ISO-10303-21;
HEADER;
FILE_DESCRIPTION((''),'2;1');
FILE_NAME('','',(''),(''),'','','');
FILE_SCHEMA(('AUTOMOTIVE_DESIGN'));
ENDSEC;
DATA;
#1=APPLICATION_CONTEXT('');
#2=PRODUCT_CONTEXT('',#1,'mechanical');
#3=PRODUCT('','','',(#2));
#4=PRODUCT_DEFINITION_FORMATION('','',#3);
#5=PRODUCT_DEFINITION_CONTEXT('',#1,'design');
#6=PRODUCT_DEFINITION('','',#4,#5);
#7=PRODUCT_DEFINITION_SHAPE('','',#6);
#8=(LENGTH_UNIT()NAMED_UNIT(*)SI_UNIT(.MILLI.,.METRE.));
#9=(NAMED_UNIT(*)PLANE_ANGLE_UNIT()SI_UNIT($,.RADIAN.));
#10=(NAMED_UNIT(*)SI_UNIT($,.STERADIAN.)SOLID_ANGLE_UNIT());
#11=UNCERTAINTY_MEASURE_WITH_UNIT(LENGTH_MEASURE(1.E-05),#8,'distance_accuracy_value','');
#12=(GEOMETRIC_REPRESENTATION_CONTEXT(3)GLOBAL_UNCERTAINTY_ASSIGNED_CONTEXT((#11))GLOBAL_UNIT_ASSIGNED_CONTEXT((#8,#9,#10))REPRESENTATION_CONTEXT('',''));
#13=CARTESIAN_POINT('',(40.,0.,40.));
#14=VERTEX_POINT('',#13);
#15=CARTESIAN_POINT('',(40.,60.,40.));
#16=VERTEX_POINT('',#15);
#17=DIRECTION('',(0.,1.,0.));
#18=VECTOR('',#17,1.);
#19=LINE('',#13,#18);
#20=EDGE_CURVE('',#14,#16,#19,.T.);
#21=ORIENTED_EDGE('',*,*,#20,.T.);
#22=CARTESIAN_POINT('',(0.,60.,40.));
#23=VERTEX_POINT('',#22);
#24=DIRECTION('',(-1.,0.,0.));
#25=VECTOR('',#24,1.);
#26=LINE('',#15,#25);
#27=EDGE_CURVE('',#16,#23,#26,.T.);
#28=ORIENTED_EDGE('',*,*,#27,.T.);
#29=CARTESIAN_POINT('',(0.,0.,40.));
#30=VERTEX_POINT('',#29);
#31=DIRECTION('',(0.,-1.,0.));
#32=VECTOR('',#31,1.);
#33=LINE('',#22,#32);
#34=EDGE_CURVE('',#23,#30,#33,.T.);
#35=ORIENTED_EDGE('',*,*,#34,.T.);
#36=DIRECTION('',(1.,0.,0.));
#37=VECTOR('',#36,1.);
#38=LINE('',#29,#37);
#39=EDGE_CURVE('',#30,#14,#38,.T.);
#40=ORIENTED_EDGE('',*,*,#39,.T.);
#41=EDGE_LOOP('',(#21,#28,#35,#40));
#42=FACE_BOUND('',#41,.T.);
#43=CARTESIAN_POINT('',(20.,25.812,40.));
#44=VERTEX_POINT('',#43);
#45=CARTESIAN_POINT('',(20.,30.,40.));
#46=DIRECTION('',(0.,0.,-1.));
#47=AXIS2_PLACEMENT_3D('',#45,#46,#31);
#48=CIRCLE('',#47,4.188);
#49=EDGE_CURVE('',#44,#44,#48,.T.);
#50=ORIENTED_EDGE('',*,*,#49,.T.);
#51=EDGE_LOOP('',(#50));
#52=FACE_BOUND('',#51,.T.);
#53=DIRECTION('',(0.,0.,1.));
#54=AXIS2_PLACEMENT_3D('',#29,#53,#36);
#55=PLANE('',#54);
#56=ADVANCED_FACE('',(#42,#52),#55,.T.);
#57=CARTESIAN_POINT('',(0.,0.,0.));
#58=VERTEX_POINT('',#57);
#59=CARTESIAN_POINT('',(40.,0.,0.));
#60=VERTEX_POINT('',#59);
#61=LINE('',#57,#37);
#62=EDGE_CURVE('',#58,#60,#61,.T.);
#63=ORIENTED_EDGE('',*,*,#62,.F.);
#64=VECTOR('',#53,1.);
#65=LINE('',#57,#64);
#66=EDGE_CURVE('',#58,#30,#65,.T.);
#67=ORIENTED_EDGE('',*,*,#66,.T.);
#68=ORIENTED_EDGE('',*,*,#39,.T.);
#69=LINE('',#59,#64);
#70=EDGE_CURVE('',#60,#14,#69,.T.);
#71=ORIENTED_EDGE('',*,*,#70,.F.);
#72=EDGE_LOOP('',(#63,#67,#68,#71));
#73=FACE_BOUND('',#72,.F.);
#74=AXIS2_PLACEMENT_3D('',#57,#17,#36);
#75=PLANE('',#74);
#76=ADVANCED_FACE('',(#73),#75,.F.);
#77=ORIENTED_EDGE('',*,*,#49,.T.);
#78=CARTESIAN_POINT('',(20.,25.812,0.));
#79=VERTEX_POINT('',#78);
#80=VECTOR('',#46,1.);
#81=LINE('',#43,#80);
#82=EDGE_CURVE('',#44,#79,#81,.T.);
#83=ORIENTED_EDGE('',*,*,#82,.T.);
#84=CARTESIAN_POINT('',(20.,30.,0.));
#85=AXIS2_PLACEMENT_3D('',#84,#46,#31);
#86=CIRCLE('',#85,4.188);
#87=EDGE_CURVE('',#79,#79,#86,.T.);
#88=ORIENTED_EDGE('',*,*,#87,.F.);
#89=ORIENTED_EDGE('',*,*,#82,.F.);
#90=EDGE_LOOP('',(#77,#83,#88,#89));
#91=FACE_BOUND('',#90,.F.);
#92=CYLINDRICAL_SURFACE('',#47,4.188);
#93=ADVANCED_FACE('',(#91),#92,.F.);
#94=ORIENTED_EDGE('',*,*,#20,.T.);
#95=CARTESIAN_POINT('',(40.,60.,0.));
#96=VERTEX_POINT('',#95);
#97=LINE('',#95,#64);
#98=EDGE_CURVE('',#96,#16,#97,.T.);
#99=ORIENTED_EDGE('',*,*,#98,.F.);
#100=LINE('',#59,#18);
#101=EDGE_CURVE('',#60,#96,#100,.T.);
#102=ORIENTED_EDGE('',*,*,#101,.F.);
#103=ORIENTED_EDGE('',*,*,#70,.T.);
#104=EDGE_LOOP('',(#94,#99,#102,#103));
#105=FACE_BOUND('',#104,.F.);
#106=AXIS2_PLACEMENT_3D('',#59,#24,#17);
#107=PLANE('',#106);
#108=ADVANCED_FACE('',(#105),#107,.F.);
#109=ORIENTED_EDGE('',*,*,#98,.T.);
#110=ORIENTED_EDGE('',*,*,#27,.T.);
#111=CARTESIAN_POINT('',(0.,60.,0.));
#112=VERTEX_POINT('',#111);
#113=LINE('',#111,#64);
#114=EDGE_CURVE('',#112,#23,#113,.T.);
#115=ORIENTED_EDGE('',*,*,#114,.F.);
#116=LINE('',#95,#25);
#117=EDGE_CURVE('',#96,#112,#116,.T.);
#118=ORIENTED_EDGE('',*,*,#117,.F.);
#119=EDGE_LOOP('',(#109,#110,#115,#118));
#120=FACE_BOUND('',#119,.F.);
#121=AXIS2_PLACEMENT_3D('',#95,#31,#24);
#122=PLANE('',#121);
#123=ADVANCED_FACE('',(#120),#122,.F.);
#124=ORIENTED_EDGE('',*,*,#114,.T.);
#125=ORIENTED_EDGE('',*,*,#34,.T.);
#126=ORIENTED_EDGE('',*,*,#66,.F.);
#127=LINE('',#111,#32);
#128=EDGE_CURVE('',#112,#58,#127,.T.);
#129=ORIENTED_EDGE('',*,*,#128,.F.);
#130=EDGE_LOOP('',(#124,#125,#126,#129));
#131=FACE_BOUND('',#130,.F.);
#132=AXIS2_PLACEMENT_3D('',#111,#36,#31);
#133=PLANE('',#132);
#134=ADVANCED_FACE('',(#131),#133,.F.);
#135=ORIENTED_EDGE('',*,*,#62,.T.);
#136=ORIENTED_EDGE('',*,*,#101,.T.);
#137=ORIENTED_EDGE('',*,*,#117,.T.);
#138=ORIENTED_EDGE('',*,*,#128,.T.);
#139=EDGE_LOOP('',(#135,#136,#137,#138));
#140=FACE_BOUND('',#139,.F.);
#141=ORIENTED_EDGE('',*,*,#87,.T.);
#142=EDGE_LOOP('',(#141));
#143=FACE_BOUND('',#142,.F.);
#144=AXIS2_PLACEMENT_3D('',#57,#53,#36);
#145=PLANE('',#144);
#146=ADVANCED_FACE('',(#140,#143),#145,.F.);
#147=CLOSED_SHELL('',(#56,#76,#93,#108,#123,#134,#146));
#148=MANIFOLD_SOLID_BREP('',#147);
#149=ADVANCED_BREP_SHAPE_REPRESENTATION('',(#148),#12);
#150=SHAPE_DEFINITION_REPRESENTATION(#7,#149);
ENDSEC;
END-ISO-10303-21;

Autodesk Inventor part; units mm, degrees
ref_plane "YZ Plane" through (0, 0, 0) normal (1, 0, 0) x (0, 1, 0)
ref_plane "XZ Plane" through (0, 0, 0) normal (0, 1, 0) x (-1, 0, 0)
ref_plane "XY Plane" through (0, 0, 0) normal (0, 0, 1) x (1, 0, 0)
sketch "Sketch1" plane through (0, 0, 0) normal (0, 0, 1) x (1, 0, 0)
  line L0 (0, 0) -> (40, 0)
  line L1 (40, 0) -> (40, 60)
  line L2 (40, 60) -> (0, 60)
  line L3 (0, 60) -> (0, 0)
  dimension "d0" = 40
  dimension "d1" = 60
extrude "Extrusion1" add sketch "Sketch1" along normal blind 40
sketch "Sketch2" plane through (0, 0, 40) normal (0, 0, 1) x (1, 0, 0)
  circle A0 centre (20, 30) radius 6
  line L0 (0, 0) -> (40, 0) projected
  line L1 (40, 0) -> (40, 60) projected
  point P0 (20, 0)
  dimension "d4" = 12
  dimension "d12" = 30
  dimension "d13" = 20
hole "Hole1" at (20, 30, 40) direction (0, 0, -1) diameter 8.376 end through all thread size "M10x1.5" class "6H" standard "ISO Metric profile"
properties part number "Aluminium block"
